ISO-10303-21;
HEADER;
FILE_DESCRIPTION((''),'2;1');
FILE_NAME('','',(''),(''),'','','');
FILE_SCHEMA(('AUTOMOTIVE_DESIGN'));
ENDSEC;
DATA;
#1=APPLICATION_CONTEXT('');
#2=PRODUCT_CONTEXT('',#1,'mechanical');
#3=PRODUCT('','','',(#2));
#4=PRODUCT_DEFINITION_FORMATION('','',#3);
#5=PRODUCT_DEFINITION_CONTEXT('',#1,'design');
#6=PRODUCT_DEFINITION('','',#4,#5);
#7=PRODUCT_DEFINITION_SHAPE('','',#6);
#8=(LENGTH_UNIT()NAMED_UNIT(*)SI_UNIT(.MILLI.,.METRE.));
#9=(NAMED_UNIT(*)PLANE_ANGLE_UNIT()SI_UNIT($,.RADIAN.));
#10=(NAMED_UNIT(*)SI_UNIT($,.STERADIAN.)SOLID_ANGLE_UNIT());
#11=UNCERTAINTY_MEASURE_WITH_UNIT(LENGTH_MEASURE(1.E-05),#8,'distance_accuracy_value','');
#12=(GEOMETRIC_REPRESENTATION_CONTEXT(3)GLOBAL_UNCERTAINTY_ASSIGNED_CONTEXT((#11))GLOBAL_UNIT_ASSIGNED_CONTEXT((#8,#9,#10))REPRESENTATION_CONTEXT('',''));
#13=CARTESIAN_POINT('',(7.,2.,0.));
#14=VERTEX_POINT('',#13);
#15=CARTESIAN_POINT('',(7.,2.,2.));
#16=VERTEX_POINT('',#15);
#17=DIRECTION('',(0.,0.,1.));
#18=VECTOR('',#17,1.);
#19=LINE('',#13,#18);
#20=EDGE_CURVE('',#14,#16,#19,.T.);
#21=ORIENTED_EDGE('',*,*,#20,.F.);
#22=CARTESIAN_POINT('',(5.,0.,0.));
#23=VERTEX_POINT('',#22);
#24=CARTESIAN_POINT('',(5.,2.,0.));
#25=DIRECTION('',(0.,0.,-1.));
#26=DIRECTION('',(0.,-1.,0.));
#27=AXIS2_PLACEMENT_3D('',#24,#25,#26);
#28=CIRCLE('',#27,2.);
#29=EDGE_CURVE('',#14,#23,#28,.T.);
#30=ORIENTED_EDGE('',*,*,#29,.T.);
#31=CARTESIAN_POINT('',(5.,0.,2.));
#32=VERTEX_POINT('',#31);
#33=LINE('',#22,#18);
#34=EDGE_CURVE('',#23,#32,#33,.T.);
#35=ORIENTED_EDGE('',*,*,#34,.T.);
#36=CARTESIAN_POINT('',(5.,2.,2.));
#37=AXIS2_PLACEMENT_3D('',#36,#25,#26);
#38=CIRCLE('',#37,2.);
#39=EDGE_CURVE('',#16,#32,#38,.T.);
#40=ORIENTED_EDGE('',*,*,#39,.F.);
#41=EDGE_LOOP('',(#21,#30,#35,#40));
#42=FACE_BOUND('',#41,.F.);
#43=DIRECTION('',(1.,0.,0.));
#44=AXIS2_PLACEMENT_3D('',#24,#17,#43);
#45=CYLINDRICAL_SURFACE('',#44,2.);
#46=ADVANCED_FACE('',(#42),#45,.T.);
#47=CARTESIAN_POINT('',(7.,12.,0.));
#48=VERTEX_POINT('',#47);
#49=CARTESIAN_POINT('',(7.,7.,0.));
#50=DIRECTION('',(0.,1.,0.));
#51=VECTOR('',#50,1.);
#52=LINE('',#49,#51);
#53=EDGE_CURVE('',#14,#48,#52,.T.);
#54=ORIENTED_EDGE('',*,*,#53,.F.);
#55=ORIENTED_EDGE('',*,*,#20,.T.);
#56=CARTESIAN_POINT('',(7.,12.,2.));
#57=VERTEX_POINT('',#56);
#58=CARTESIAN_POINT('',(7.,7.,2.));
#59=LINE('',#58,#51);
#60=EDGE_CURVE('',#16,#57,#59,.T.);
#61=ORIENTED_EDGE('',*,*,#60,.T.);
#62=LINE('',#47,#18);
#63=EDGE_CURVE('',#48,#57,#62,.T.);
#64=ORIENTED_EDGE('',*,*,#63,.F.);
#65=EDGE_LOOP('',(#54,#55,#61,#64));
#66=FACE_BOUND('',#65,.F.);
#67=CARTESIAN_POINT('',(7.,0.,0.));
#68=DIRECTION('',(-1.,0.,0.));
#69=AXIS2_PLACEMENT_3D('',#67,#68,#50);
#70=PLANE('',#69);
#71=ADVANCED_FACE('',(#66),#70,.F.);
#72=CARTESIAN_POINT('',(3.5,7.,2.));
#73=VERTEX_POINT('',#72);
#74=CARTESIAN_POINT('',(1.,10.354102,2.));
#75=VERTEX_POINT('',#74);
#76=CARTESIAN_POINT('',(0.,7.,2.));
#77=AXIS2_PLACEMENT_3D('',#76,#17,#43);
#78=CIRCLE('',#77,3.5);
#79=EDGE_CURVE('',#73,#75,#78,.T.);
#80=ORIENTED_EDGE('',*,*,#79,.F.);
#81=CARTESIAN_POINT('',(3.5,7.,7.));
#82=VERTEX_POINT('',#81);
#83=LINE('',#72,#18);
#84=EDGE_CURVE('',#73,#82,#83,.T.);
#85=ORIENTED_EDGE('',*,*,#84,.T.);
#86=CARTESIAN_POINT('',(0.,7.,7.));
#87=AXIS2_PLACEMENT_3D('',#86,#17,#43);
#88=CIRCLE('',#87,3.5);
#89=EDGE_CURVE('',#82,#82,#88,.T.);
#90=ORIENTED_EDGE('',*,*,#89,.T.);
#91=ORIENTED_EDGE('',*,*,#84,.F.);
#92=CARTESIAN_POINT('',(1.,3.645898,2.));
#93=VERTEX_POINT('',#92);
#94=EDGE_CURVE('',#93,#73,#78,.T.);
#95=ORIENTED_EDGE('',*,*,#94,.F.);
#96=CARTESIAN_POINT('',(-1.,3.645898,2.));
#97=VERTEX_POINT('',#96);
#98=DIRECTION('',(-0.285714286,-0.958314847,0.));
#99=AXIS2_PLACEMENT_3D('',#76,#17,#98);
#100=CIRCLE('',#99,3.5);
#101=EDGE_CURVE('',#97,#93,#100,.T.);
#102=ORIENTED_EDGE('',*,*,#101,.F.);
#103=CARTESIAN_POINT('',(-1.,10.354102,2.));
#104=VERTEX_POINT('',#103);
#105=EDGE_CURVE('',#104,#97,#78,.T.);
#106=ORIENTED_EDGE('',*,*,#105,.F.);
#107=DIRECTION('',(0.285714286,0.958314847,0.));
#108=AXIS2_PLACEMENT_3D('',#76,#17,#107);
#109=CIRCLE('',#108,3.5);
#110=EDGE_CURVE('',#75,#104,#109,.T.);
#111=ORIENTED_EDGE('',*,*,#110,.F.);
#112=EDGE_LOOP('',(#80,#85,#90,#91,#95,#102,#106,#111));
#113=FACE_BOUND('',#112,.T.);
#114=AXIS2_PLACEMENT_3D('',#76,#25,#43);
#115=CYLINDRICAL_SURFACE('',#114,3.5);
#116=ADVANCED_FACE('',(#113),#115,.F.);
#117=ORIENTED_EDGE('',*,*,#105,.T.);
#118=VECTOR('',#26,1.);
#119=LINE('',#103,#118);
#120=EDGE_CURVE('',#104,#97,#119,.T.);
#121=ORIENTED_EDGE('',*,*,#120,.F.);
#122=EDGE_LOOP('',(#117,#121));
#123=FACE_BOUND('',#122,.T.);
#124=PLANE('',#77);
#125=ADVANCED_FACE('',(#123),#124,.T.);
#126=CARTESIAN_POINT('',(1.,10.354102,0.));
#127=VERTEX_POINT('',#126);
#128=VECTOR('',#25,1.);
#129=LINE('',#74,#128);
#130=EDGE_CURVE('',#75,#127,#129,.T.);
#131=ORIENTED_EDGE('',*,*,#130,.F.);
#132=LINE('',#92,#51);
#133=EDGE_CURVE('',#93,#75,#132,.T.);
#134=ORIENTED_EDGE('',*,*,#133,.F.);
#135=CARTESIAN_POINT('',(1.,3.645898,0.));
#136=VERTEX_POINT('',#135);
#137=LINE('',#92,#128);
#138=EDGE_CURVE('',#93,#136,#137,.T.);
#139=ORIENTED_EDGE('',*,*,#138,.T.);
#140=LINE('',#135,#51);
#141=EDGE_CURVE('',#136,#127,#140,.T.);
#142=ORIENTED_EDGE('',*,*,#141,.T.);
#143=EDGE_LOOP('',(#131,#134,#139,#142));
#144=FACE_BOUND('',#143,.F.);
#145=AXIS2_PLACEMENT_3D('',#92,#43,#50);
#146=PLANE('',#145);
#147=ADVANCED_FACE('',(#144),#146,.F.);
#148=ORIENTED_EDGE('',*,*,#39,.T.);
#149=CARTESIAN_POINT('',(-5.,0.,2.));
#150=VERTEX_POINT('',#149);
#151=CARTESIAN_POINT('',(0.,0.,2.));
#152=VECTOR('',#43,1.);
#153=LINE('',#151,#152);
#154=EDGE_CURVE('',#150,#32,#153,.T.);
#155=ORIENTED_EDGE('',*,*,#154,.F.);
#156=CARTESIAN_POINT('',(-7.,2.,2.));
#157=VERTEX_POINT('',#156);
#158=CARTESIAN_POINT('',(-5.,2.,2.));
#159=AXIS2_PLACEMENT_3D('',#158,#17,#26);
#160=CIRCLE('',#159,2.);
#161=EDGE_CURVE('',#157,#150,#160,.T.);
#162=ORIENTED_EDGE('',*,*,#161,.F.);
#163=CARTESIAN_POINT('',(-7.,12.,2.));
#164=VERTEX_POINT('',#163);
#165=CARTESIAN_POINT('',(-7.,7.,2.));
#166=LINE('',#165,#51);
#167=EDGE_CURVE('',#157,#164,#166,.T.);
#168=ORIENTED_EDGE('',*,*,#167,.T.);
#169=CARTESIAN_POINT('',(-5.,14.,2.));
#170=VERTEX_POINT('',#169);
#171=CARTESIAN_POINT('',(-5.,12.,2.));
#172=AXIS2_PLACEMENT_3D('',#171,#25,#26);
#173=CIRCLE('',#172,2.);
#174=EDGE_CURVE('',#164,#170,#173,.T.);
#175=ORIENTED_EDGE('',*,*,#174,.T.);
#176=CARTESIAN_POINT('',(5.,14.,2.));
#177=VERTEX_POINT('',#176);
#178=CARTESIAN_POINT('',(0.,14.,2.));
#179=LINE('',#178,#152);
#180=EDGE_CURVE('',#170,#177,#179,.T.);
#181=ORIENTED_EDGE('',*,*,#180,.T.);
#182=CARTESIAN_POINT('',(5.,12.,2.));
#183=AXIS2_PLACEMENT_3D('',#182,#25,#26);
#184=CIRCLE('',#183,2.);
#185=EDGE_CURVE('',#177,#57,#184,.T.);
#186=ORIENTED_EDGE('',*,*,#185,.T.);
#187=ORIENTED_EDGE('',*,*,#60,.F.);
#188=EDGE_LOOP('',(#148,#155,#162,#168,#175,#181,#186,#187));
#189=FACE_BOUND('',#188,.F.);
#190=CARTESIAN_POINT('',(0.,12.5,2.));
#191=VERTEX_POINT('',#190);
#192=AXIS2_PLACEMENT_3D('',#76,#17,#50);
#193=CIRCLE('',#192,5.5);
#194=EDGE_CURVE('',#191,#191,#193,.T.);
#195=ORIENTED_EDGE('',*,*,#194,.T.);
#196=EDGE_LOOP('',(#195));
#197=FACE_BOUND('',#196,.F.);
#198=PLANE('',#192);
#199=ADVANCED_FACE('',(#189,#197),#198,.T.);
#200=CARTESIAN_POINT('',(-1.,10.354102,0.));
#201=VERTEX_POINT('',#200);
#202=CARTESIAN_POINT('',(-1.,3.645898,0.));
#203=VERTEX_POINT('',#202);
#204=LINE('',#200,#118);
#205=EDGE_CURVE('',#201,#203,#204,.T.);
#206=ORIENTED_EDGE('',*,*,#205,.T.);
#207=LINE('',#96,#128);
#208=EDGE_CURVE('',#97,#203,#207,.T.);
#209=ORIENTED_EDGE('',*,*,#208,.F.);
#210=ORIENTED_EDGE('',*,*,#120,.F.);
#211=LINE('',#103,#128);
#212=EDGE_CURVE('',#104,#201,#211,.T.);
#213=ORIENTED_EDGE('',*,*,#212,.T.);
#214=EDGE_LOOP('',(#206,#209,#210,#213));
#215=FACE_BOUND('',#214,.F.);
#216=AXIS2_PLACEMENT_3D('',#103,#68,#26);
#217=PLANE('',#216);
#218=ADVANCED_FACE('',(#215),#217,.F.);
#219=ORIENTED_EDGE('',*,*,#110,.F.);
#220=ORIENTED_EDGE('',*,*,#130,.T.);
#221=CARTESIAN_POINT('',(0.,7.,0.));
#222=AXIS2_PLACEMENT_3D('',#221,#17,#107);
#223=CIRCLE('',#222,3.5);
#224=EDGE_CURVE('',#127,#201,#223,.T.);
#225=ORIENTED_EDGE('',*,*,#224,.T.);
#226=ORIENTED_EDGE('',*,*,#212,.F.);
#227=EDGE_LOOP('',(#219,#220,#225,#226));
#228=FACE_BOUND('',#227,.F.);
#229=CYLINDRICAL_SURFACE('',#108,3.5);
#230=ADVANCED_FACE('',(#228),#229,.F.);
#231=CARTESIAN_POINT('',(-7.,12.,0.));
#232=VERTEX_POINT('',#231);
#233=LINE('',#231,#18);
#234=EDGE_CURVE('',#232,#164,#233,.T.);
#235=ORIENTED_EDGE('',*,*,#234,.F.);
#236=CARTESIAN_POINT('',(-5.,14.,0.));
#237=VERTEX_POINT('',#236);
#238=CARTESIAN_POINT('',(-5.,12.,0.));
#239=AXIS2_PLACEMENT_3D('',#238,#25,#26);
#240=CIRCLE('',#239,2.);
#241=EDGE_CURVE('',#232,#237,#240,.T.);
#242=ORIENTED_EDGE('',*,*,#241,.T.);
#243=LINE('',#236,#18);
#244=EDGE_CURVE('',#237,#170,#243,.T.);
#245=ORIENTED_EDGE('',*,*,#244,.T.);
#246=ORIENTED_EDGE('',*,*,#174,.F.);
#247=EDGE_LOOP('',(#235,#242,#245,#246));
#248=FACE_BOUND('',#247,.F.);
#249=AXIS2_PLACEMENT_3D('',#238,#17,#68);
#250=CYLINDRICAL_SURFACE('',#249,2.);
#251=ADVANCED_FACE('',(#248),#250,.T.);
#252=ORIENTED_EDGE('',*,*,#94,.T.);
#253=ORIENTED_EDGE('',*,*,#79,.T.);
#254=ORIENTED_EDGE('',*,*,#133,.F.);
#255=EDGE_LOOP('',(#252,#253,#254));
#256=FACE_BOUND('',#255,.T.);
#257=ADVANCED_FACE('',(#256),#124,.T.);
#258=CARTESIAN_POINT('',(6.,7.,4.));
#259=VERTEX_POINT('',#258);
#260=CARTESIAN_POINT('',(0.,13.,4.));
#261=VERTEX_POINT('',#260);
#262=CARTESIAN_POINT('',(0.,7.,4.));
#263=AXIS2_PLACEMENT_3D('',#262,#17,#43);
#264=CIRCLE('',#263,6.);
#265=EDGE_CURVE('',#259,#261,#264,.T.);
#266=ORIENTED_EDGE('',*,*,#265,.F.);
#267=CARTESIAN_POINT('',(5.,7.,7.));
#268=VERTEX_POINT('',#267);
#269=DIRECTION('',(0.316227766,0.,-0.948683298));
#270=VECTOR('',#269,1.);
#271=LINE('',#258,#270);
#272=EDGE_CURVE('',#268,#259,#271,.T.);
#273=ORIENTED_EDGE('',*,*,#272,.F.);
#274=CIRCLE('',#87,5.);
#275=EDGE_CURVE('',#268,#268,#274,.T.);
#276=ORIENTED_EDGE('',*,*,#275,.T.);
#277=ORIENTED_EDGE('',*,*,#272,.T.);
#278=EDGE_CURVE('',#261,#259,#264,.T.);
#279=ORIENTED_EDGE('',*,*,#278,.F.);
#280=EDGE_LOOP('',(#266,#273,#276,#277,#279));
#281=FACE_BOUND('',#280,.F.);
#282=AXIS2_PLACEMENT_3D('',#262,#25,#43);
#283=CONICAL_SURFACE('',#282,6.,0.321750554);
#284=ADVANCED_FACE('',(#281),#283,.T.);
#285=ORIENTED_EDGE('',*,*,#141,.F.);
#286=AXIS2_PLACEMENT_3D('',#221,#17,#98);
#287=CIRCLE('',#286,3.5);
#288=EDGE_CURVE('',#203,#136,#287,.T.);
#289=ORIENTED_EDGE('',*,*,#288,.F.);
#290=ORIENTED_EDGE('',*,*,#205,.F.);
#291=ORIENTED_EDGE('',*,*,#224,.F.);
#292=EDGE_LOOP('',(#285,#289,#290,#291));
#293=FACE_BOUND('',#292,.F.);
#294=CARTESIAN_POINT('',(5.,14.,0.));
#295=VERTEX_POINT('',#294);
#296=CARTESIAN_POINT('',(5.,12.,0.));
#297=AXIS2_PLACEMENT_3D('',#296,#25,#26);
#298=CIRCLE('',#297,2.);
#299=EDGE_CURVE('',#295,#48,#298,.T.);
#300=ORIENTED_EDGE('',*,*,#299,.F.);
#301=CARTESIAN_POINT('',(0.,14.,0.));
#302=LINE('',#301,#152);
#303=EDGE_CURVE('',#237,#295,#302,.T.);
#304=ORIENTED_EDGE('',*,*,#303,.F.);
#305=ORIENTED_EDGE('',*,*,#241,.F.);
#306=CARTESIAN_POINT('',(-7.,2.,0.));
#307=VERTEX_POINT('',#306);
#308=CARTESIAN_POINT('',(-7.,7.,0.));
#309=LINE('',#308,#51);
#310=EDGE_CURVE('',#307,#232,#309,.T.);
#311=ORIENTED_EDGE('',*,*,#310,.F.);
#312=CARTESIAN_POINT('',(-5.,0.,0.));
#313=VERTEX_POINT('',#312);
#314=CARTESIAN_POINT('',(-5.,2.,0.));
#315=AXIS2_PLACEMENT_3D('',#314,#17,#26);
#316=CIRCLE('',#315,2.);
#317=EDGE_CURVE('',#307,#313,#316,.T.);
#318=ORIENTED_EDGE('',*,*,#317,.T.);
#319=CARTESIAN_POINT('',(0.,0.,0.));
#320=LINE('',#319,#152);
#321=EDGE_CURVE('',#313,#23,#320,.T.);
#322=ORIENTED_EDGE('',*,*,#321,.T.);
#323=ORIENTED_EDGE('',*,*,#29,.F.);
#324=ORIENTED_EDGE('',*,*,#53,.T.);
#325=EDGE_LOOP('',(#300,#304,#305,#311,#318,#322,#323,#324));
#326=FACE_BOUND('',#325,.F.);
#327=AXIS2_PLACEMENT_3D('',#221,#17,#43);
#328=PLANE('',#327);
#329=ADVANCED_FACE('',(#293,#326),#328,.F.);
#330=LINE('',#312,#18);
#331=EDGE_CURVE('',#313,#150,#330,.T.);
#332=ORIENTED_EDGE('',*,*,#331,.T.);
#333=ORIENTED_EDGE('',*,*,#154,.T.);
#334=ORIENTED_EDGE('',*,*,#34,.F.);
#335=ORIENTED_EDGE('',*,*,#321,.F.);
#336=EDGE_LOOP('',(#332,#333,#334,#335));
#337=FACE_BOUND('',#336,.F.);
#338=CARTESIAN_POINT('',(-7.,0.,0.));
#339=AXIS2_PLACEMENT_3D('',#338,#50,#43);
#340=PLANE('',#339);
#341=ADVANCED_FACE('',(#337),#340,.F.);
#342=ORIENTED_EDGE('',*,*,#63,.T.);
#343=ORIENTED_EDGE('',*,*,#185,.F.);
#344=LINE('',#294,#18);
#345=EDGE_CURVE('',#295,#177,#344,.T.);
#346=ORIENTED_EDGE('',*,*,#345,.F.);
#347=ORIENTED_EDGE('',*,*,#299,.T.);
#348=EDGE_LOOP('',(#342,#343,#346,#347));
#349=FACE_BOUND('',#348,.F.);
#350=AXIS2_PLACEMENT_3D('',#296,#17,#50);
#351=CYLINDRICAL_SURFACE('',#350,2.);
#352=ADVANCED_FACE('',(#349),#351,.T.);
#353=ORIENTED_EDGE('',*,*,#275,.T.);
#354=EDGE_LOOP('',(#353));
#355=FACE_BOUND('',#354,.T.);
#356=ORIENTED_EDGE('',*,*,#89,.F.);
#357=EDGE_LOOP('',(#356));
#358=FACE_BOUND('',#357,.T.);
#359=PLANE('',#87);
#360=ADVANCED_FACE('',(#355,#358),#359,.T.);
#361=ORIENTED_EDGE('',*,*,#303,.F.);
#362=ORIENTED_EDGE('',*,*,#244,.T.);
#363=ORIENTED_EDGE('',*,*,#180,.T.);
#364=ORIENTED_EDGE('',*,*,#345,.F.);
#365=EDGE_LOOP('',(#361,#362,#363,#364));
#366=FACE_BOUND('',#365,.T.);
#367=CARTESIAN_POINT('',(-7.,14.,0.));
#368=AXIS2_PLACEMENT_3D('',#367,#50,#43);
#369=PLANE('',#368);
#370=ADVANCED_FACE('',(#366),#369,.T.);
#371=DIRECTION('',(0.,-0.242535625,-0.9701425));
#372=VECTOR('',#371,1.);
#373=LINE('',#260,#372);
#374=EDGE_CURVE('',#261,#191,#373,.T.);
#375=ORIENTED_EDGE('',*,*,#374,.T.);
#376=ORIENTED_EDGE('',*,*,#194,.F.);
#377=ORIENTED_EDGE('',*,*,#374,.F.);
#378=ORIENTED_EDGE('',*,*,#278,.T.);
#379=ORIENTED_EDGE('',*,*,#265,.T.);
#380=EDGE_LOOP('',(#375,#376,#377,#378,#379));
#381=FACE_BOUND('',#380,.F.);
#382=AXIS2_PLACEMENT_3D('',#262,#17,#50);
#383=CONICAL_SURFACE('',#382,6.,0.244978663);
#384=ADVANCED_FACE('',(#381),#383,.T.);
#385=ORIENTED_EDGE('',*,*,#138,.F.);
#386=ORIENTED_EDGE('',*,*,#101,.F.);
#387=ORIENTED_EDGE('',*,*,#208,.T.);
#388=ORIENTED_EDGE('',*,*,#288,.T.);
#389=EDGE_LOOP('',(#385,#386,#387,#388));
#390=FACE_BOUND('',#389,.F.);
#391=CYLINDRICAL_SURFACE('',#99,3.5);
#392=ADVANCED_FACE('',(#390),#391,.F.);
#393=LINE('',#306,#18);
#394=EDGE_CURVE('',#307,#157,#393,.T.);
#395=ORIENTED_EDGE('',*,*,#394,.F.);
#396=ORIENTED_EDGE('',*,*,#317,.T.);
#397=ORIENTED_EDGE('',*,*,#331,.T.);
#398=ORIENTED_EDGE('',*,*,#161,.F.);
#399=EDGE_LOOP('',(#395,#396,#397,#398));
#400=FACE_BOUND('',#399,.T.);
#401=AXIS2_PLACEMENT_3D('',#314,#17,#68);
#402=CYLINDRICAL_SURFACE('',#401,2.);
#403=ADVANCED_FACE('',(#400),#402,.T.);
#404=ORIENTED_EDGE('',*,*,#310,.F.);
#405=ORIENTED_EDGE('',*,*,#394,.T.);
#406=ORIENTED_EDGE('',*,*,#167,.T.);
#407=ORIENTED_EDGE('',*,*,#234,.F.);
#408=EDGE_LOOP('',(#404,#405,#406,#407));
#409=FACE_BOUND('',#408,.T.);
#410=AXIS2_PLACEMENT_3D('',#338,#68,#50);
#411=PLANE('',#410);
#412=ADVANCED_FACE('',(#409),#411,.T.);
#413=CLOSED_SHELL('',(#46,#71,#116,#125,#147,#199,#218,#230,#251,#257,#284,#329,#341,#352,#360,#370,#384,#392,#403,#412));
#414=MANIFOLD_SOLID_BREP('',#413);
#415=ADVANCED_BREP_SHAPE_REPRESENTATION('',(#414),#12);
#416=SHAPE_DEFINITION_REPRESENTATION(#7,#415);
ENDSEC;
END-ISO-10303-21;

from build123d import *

# Parameters (mm, degrees)
F0_W     = 14
F0_H     = 14
F1_DEPTH = 2
F2_R     = 6
F2_R_2   = 3.5
F3_DEPTH = 5
F4_SIZE2 = 3
F4_SIZE  = 1
F9_DEPTH = 2
F10_R    = 2


with BuildPart() as f1:
    # F0 (on Top) → F1 (new body)
    with BuildSketch(Plane.XY):
        with Locations((-7, 7)):
            Rectangle(F0_W, F0_H)
    extrude(amount=F1_DEPTH)

    # F2 (on face) → F3 (join)
    with BuildSketch(Plane.XY.offset(2)):
        with Locations((-7, 7)):
            Circle(F2_R)
        with Locations((-7, 7)):
            Circle(F2_R_2, mode=Mode.SUBTRACT)
    extrude(amount=F3_DEPTH)

    # F4
    f4_edges = [f1.edges().sort_by_distance(p)[0] for p in [
        (-13, 7, 7),
    ]]
    f4_side = f1.faces().sort_by_distance((-12.830294, 7, 7))[0]
    chamfer(f4_edges, length=F4_SIZE, length2=F4_SIZE2, reference=f4_side)


with BuildPart() as f1_1:
    # F5: moved
    add(f1.part.moved(Location((7, 0, 0))))

    # F6 (on Right) → F7 (revolve, cut)
    with BuildSketch(Plane.YZ):
        Polygon((13, 2), (13, 4), (12.5, 2), align=None)
    revolve(axis=Axis((0, 7, 22.9139531255), (0, 0, 1)), mode=Mode.SUBTRACT)

    # F8 (on face) → F9 (cut, through all)
    with BuildSketch(Plane.XY.offset(2)):
        with BuildLine():
            Line((1, 3.6458980338), (1, 10.3541019662))
            ThreePointArc((1, 10.3541019662), (0, 10.5), (-1, 10.3541019662))
            Line((-1, 10.3541019662), (-1, 3.6458980338))
            ThreePointArc((-1, 3.6458980338), (0, 3.5), (1, 3.6458980338))
        make_face()
    extrude(amount=-F9_DEPTH, mode=Mode.SUBTRACT)

    # F10
    f10_edges = [f1_1.edges().sort_by_distance(p)[0] for p in [
        (7, 0, 1),
        (7, 14, 1),
        (-7, 14, 1),
        (-7, 0, 1),
    ]]
    fillet(f10_edges, radius=F10_R)


solid = f1_1.part
